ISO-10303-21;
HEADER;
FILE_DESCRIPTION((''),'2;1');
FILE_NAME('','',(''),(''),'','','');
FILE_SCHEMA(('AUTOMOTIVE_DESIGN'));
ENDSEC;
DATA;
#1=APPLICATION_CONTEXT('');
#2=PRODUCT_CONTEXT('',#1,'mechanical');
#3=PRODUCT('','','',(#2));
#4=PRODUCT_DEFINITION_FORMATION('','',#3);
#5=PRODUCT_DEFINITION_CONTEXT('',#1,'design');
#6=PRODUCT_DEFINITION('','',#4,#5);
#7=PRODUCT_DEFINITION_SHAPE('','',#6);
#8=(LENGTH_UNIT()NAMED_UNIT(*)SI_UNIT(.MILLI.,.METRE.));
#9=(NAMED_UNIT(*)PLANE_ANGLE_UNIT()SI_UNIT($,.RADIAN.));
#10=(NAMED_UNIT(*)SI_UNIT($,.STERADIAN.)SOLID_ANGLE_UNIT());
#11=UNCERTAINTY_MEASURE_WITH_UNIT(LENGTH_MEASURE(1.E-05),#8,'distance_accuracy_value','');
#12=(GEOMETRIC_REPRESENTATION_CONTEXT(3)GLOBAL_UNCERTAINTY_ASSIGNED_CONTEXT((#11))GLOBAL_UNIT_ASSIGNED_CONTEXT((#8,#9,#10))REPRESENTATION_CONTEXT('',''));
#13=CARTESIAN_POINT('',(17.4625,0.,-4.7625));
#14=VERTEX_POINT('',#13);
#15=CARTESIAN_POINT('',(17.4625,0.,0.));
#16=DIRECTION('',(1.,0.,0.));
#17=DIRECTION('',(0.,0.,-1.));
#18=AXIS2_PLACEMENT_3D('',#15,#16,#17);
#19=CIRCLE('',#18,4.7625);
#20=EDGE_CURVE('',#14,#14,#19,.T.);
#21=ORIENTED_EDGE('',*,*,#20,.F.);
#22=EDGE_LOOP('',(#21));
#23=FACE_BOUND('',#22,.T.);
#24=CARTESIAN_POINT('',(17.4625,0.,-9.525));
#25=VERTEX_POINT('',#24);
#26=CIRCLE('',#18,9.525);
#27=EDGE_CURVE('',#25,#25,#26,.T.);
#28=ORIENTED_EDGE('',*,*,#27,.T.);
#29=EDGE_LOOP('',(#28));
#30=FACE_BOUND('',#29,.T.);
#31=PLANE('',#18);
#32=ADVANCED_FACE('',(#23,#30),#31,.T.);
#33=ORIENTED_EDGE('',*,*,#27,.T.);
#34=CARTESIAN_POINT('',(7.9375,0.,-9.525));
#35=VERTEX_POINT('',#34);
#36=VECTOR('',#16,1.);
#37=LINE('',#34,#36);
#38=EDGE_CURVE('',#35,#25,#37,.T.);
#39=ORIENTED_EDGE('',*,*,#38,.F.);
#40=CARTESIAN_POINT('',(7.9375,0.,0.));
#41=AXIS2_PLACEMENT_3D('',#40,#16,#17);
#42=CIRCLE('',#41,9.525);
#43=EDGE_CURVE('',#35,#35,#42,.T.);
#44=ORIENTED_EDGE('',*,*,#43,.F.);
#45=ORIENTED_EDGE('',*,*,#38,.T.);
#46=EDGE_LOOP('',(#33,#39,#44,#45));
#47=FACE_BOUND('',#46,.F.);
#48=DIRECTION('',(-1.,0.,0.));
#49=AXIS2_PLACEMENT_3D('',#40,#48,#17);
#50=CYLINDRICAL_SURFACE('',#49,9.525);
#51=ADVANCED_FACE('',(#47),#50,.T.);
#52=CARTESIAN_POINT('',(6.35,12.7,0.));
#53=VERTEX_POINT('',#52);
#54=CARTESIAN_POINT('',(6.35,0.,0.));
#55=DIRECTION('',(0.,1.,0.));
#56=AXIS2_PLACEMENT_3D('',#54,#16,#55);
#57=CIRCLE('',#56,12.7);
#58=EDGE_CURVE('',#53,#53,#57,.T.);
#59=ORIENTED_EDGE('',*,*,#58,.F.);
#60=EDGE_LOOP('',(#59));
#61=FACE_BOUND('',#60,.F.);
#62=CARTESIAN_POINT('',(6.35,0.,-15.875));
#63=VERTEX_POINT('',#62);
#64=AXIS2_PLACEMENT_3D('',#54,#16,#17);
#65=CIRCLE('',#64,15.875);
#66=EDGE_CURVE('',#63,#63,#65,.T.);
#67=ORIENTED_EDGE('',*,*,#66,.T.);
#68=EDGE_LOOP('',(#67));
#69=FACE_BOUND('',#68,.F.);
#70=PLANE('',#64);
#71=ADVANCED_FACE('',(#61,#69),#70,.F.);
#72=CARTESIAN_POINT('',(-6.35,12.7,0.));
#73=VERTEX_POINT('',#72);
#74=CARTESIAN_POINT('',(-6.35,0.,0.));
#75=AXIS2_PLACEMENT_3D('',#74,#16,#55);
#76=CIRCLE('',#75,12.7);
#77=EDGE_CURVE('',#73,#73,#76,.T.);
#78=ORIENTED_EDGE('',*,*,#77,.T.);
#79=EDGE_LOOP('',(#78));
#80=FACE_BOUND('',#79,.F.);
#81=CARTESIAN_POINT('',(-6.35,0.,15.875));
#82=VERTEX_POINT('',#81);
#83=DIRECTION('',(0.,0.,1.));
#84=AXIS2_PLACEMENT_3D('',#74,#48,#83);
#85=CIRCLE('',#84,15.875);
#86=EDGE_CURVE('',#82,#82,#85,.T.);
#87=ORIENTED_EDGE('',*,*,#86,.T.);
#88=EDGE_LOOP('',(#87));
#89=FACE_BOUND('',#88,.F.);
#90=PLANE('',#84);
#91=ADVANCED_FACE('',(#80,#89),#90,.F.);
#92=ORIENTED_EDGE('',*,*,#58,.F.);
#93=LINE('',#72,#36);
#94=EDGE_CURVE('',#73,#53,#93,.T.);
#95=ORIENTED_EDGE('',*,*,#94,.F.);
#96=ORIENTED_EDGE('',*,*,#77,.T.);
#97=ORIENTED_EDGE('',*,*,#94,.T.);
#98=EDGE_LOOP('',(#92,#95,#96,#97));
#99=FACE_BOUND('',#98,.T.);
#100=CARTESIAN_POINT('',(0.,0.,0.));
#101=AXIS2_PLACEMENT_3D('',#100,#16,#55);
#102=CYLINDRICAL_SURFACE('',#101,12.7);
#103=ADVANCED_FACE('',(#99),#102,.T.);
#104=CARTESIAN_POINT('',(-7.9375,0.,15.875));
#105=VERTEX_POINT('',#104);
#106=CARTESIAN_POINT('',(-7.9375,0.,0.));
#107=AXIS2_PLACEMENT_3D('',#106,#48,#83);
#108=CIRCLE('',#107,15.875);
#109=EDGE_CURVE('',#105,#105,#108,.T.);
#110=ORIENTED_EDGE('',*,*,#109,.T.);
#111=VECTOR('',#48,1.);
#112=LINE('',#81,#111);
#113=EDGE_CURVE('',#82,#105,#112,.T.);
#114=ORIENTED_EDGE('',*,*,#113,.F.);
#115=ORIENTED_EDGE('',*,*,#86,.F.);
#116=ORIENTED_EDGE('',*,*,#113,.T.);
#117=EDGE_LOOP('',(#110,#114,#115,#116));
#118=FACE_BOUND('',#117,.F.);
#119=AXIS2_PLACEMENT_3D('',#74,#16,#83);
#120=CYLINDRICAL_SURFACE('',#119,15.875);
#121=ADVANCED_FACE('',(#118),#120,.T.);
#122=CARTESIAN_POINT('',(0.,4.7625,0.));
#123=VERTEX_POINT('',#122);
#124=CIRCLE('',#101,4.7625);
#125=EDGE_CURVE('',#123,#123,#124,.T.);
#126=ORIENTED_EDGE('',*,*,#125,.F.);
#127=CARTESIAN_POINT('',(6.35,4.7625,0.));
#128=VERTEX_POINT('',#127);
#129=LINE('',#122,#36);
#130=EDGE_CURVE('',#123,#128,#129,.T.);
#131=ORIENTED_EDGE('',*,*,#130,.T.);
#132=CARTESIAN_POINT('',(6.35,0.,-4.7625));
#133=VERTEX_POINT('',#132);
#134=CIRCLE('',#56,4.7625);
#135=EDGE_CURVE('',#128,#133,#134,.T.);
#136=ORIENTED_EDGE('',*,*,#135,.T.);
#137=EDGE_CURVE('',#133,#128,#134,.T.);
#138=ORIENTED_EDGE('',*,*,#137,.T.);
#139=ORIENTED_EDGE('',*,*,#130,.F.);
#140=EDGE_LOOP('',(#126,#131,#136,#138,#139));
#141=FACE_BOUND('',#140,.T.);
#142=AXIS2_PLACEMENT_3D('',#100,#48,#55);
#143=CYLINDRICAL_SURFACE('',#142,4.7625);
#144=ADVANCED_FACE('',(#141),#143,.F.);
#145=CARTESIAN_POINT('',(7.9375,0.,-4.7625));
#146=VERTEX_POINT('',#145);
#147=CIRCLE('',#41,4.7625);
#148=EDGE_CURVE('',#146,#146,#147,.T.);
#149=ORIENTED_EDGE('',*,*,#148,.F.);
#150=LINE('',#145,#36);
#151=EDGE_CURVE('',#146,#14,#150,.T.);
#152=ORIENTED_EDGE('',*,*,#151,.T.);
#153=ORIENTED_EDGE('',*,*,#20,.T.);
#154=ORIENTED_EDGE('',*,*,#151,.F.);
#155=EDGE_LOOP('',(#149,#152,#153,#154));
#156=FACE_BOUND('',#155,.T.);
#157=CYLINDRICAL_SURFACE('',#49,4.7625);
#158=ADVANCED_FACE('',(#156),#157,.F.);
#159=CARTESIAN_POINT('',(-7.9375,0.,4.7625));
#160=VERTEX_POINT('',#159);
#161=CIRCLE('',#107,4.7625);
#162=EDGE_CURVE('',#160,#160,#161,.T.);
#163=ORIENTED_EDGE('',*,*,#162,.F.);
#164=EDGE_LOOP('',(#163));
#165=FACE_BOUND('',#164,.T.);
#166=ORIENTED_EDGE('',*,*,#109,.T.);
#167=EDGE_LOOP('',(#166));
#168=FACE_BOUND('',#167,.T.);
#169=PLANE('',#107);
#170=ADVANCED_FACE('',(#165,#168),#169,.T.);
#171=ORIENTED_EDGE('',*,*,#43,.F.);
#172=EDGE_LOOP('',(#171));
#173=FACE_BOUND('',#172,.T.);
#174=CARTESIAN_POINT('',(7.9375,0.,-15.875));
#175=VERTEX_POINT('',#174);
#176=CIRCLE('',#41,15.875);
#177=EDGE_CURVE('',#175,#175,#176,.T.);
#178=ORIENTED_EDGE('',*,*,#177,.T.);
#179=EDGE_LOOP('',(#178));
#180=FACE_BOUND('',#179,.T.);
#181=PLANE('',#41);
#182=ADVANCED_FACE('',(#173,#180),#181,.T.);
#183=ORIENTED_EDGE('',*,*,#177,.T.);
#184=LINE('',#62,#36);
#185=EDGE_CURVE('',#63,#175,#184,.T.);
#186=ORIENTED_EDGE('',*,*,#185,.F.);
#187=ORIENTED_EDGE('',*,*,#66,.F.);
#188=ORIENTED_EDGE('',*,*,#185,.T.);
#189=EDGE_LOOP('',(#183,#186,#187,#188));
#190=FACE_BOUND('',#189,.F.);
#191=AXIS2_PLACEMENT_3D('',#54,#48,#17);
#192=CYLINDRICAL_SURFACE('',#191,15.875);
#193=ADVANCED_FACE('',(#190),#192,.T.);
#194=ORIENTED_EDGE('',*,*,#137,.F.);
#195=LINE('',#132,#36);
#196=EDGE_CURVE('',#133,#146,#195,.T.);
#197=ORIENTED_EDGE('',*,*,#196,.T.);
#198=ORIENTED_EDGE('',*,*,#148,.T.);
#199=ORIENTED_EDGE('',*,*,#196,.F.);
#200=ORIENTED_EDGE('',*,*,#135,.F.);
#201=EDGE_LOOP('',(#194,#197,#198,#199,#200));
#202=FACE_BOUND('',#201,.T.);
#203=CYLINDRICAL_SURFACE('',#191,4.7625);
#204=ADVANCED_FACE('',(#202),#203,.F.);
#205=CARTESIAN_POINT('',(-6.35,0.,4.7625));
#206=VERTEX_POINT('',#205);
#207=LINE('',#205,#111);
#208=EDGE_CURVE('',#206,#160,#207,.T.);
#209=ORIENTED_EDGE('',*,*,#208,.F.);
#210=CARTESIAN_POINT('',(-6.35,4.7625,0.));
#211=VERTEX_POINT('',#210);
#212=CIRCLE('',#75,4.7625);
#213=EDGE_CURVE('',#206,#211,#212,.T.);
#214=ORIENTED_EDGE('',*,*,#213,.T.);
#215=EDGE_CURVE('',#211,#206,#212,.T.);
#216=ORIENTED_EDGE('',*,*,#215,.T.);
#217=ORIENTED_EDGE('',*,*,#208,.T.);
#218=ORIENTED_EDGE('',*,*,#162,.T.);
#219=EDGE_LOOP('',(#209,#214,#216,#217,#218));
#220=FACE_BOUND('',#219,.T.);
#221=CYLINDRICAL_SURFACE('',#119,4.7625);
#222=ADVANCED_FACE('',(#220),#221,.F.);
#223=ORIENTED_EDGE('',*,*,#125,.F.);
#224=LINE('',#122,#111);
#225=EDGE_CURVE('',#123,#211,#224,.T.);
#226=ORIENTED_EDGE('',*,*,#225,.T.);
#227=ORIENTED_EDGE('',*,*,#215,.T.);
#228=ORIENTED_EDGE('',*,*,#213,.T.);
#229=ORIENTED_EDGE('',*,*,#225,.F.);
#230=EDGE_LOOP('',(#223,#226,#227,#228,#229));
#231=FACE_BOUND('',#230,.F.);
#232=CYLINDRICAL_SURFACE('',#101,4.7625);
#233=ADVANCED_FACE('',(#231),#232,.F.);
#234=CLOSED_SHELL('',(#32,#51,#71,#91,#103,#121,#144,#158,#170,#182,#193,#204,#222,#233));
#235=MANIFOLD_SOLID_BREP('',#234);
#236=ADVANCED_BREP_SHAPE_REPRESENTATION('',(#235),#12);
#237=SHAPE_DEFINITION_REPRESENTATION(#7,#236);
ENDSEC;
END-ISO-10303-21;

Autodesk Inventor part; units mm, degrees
ref_plane "YZ Plane" through (0, 0, 0) normal (1, 0, 0) x (0, 1, 0)
ref_plane "XZ Plane" through (0, 0, 0) normal (0, 1, 0) x (-1, 0, 0)
ref_plane "XY Plane" through (0, 0, 0) normal (0, 0, 1) x (1, 0, 0)
sketch "Sketch1" plane through (0, 0, 0) normal (1, 0, 0) x (0, 1, 0)
  circle A0 centre (0, 0) radius 12.7
  circle A1 centre (0, 0) radius 4.7625
  dimension "d0" = 25.4
  dimension "d2" = 9.525
extrude "Extrusion1" add sketch "Sketch1" along normal mid plane 12.7
sketch "Sketch2" plane through (6.35, 0, 0) normal (1, 0, 0) x (0, 0, -1)
  circle A0 centre (0, 0) radius 15.875
  circle A1 centre (0, 0) radius 12.7 construction
  circle A2 centre (0, 0) radius 4.7625 projected
  dimension "d6" = 3.175
extrude "Extrusion2" add sketch "Sketch2" along normal blind 1.5875
sketch "Sketch3" plane through (-6.35, 0, 0) normal (-1, 0, 0) x (0, 0, 1)
  circle A0 centre (0, 0) radius 15.875 projected
  circle A1 centre (0, 0) radius 4.7625 projected
extrude "Extrusion3" add sketch "Sketch3" along normal blind 1.5875
sketch "Sketch4" plane through (7.9375, 0, 0) normal (1, 0, 0) x (0, 0, -1)
  circle A0 centre (0, 0) radius 4.7625 projected
  circle A1 centre (0, 0) radius 9.525
  dimension "d11" = 4.7625
extrude "Extrusion4" add sketch "Sketch4" along normal blind 9.525
properties part number "pulley XL 1in" material "Aluminum 6061"
